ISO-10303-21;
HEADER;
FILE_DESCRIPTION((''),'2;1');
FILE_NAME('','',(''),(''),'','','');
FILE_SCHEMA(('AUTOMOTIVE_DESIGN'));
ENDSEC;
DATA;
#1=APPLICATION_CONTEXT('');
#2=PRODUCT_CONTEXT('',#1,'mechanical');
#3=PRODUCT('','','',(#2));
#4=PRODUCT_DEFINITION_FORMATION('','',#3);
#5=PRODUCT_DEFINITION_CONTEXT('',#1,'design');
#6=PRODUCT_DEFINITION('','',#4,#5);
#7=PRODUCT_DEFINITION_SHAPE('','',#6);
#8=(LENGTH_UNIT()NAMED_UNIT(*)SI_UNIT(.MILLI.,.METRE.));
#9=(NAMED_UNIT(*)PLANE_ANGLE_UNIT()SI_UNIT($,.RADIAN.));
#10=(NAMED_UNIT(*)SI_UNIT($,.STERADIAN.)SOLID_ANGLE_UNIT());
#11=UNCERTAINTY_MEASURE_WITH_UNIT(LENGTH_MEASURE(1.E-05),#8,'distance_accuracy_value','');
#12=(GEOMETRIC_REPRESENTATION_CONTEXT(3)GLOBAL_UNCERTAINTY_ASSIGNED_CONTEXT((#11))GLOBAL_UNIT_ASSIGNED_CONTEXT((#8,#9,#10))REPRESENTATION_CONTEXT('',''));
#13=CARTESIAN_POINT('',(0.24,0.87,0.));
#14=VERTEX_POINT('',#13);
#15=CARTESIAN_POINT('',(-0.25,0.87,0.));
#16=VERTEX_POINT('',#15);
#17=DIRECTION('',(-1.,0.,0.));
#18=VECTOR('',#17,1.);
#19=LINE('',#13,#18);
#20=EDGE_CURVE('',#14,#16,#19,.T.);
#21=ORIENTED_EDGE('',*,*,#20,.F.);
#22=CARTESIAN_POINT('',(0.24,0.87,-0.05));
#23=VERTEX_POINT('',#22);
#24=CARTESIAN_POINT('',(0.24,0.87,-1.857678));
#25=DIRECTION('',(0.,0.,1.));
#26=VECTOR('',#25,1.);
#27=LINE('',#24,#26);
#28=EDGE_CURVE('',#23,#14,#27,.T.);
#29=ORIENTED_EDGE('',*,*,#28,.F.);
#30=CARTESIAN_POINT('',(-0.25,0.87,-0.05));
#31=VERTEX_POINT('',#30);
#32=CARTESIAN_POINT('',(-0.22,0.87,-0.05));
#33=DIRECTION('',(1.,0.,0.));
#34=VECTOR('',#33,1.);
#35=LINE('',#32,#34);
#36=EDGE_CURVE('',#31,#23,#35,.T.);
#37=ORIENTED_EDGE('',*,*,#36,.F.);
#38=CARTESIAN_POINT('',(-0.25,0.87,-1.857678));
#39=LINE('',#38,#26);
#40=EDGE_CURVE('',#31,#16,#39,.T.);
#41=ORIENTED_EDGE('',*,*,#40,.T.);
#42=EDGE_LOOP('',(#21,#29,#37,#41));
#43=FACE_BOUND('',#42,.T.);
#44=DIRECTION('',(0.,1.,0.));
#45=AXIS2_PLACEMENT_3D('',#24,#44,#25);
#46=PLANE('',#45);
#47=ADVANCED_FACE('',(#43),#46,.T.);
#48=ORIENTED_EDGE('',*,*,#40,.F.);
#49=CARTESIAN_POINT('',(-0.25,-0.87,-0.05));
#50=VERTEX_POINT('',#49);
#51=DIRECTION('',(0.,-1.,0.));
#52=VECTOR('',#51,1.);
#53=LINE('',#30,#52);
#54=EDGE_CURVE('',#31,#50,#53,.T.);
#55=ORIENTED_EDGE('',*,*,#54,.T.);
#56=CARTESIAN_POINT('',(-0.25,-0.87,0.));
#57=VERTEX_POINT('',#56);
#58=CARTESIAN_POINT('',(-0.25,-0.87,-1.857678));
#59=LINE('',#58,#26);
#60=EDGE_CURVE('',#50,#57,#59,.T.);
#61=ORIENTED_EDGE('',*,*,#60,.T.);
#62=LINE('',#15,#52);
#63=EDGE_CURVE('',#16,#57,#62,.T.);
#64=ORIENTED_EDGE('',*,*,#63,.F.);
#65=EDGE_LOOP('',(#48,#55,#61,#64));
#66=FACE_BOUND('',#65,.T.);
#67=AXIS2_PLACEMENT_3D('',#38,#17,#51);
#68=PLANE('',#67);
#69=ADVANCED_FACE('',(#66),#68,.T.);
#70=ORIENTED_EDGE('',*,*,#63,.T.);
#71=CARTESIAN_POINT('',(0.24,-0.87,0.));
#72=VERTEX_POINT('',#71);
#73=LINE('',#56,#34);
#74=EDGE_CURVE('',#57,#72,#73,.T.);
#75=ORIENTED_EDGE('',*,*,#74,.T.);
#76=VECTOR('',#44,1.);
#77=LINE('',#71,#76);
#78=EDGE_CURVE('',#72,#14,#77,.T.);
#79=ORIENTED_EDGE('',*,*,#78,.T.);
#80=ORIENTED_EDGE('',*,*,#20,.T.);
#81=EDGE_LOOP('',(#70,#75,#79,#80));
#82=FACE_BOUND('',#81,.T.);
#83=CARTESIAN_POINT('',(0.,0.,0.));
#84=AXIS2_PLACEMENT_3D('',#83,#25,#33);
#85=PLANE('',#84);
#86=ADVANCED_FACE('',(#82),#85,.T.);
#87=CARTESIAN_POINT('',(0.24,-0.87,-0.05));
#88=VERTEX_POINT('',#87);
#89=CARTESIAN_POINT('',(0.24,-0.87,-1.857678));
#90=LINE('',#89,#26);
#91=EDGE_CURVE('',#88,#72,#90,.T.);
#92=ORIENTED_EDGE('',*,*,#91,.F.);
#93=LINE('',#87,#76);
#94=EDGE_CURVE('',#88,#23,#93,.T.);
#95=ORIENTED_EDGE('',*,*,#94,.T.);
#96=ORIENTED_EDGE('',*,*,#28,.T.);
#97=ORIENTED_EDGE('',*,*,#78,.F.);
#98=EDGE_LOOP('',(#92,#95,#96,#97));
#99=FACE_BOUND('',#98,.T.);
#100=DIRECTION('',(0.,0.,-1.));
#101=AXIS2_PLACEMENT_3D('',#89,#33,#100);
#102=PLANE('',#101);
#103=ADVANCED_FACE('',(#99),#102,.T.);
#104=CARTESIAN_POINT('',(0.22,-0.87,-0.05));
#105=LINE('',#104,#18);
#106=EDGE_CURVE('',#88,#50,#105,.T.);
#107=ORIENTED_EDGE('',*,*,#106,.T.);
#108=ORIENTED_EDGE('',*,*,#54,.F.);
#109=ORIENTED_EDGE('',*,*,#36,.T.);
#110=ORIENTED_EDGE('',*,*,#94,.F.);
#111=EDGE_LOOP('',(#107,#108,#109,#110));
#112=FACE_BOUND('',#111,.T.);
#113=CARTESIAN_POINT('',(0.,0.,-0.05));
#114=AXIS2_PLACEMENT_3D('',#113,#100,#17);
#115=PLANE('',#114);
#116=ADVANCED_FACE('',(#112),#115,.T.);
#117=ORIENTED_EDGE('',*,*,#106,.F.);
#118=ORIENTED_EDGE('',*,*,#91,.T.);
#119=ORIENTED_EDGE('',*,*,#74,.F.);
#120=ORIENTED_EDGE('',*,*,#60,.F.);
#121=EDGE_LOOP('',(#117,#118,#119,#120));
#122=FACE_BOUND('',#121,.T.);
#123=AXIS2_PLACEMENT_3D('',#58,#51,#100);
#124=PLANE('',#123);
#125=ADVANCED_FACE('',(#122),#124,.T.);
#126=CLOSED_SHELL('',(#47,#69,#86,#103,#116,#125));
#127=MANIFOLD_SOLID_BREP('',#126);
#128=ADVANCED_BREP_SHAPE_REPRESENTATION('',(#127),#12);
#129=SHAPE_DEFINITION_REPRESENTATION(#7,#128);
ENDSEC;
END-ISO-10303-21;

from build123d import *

# Parameters (mm, degrees)
SKETCH1_W           = 0.49
SKETCH1_H           = 1.74
BOSS_EXTRUDE1_DEPTH = 0.05


with BuildPart() as part:
    # Sketch1 → Boss-Extrude1 (new body)
    with BuildSketch(Plane.XY):
        with Locations((-0.005, 0)):
            Rectangle(SKETCH1_W, SKETCH1_H)
    extrude(amount=-BOSS_EXTRUDE1_DEPTH)


solid = part.part
